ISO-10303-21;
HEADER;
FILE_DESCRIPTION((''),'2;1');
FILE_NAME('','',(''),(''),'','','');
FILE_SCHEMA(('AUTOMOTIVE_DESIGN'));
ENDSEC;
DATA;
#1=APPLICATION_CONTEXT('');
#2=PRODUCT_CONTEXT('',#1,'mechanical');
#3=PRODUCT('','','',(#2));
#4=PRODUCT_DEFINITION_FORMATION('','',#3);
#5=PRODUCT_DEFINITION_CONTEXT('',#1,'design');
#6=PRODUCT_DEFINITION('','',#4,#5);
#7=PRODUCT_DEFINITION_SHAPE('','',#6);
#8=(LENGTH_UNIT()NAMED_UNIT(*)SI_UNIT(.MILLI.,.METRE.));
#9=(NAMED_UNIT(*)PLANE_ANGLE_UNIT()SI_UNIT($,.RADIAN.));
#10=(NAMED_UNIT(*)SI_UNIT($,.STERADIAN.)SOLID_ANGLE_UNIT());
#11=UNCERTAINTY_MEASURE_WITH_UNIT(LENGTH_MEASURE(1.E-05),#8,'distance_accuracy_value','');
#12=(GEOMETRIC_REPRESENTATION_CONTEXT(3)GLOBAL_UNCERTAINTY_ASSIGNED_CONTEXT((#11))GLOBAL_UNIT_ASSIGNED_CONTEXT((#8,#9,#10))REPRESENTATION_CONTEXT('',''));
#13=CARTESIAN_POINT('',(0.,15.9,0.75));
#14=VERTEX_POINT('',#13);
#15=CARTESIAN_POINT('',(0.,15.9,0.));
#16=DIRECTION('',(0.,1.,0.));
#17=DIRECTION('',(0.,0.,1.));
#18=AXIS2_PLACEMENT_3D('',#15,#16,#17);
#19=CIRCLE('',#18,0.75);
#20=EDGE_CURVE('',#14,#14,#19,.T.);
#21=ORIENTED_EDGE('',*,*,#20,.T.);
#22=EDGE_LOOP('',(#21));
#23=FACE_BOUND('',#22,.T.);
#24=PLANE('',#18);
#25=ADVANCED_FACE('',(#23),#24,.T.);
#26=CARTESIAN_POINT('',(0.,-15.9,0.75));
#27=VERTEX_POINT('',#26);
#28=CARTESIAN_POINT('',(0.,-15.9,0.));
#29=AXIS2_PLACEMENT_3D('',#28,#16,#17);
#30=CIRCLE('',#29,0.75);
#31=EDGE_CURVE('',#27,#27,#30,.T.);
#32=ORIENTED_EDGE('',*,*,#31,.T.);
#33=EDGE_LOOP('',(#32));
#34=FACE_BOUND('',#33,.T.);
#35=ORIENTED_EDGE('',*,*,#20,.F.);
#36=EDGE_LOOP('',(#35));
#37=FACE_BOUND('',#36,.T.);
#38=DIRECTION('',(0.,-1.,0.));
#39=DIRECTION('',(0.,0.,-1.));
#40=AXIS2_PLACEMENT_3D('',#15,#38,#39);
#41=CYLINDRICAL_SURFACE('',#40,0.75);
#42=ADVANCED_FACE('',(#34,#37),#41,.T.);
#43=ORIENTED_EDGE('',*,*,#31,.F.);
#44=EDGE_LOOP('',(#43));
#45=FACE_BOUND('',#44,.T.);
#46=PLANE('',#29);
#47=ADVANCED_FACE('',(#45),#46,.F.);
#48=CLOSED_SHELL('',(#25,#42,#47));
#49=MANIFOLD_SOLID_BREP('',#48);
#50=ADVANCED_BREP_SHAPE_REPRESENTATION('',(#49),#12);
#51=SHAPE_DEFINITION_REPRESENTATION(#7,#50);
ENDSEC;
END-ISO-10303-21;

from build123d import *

# Parameters (mm, degrees)
SKETCH_1_R      = 0.75
EXTRUDE_1_DEPTH = 15.9


with BuildPart() as part:
    # 草图1 → 凸台-拉伸1 (new body, symmetric)
    with BuildSketch(Plane(origin=(0, 0, 0), x_dir=(1, 0, 0), z_dir=(0, 1, 0))):
        Circle(SKETCH_1_R)
    extrude(amount=EXTRUDE_1_DEPTH, both=True)


solid = part.part
